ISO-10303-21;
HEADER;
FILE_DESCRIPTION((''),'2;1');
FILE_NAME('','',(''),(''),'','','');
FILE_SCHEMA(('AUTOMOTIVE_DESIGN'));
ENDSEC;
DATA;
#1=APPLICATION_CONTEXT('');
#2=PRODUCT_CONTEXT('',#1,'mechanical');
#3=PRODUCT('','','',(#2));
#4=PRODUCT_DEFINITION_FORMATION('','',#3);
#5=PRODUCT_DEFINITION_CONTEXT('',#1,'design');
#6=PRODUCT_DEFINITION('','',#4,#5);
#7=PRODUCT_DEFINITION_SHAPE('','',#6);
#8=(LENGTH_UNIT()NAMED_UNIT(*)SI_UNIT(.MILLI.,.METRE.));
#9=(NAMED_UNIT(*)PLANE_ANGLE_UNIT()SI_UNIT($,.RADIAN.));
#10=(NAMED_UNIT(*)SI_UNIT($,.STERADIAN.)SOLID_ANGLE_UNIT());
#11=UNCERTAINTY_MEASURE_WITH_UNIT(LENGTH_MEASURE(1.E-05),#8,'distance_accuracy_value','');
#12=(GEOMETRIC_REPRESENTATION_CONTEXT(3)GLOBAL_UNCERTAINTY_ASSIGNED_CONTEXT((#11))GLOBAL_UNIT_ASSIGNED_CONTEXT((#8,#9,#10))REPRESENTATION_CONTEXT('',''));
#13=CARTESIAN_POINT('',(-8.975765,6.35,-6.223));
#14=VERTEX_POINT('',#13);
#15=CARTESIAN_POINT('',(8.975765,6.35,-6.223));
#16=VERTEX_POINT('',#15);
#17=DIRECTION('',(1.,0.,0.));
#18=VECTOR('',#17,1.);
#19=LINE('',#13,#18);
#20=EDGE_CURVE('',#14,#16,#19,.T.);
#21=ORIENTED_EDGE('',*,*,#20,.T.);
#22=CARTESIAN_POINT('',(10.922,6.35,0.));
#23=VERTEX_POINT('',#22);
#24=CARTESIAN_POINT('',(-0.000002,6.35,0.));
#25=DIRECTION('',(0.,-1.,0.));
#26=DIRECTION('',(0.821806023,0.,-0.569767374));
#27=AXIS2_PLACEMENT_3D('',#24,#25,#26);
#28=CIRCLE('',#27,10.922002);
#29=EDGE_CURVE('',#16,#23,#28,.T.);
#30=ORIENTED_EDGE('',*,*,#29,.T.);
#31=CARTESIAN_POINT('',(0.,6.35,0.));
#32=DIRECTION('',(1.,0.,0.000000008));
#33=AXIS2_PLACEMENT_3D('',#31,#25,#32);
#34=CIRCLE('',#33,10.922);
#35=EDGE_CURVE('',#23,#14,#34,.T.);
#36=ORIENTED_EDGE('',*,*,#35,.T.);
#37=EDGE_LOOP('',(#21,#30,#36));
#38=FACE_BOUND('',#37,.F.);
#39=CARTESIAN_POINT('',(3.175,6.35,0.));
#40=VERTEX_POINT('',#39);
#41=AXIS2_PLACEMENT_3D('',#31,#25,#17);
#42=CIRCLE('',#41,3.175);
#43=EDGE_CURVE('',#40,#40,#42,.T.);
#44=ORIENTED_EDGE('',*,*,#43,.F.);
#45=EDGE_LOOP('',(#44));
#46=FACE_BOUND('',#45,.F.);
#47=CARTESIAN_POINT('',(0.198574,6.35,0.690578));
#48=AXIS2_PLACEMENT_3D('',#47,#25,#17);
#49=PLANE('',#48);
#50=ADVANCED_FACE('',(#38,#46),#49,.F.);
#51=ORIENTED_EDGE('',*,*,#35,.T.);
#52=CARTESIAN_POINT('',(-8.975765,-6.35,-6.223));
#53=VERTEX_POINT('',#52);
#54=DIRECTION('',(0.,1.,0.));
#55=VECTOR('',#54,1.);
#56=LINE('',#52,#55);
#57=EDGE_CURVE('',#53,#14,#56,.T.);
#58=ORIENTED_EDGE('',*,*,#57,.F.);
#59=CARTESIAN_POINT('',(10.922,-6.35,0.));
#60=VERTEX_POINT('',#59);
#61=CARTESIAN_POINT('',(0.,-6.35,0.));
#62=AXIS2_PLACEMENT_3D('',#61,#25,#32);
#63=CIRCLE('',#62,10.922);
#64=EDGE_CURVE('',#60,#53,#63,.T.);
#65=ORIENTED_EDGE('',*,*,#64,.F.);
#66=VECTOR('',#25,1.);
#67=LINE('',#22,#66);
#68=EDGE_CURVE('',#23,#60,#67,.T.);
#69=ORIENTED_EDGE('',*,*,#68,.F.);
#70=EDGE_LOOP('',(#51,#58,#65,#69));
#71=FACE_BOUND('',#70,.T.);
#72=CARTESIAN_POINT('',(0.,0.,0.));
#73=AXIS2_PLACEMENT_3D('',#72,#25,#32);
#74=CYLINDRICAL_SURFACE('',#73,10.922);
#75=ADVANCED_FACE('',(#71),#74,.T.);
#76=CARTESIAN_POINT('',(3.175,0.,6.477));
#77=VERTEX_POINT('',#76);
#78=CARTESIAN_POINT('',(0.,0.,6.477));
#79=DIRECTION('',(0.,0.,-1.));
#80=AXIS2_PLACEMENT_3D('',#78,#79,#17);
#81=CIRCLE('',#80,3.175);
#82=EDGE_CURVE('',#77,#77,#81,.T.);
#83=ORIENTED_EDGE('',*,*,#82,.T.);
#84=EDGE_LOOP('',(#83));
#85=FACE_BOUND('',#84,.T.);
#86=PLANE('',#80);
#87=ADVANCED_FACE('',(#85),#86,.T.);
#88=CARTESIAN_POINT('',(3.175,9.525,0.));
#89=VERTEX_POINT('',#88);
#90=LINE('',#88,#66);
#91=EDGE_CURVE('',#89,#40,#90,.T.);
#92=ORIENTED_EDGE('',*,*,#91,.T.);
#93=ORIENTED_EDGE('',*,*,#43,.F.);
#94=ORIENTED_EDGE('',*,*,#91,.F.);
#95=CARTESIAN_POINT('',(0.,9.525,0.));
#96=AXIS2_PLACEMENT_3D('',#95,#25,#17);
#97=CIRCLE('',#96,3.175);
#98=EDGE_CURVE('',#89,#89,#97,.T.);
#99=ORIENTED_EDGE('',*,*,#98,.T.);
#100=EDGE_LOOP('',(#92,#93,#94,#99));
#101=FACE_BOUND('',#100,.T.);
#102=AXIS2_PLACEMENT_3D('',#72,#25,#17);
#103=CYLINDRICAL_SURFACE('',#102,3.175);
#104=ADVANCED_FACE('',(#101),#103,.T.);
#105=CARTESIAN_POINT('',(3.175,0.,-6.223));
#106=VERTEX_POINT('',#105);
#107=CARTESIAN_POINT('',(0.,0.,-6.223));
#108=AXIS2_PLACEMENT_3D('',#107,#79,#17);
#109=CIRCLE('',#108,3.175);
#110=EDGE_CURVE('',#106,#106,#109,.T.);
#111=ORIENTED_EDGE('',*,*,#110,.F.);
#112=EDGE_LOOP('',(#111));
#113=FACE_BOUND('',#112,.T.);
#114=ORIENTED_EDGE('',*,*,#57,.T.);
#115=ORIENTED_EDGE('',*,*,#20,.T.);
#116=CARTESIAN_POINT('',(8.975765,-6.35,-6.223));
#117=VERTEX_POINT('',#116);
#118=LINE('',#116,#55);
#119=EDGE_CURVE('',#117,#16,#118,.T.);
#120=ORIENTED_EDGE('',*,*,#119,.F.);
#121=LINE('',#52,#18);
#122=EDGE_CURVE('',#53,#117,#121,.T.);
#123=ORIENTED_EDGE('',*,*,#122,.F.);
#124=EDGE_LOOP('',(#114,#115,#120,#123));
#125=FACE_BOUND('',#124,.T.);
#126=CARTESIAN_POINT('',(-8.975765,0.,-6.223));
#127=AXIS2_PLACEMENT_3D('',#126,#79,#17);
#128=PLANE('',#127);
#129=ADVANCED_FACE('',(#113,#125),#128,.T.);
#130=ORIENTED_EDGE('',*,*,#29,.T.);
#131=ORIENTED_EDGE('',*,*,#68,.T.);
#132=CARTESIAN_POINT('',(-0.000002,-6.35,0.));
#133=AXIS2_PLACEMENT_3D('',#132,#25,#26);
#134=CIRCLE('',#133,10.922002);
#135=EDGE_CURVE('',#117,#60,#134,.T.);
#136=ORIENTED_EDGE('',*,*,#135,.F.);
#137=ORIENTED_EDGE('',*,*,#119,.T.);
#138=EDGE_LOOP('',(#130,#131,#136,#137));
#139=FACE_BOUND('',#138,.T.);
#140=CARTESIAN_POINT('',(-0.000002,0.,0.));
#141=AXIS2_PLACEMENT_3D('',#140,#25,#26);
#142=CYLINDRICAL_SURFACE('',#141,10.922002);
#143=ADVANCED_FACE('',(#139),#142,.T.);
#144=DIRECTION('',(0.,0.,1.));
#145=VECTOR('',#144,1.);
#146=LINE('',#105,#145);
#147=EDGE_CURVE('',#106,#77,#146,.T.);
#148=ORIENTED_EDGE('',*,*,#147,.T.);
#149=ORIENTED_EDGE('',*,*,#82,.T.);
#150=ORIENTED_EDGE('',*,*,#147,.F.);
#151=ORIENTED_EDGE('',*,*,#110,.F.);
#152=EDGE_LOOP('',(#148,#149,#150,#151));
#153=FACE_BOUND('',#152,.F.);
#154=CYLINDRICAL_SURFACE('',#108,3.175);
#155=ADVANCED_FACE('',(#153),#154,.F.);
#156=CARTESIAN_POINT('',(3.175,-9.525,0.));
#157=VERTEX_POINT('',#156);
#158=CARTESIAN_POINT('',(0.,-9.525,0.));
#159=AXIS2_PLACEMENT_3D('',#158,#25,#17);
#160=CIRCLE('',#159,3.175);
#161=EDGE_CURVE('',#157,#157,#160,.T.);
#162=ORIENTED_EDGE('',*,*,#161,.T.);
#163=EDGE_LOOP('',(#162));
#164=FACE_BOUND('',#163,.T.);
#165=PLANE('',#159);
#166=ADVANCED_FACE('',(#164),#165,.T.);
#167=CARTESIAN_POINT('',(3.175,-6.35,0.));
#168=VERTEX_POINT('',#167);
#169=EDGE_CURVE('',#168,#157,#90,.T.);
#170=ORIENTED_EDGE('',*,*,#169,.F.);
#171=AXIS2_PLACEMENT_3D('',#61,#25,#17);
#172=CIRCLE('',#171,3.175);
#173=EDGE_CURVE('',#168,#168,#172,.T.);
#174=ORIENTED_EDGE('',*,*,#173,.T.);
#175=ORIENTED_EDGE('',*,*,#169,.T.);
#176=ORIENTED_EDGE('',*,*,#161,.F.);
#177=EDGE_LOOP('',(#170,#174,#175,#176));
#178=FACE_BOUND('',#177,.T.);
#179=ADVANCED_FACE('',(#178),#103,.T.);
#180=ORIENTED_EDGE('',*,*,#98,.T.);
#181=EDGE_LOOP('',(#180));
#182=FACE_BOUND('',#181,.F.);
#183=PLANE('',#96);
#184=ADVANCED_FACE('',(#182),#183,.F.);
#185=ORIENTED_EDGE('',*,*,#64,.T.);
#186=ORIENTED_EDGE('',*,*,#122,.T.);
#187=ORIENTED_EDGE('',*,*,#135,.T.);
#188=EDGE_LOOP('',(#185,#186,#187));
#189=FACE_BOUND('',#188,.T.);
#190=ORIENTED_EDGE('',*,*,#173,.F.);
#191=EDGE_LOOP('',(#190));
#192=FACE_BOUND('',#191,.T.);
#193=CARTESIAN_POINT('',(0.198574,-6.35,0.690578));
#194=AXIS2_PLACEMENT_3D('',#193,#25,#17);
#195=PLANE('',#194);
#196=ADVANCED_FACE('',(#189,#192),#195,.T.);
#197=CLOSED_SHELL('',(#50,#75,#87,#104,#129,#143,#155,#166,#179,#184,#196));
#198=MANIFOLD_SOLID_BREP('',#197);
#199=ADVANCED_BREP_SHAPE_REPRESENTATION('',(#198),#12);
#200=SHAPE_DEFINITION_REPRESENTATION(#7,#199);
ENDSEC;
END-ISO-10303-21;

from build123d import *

# Parameters (mm, degrees)
F0_R     = 3.175
F1_DEPTH = 6.35
F2_DEPTH = 9.525
F3_R     = 3.175
F4_DEPTH = 12.7


with BuildPart() as f1:
    # F0 (on Front) → F1 (new body, symmetric)
    with BuildSketch(Plane.XZ):
        with BuildLine():
            ThreePointArc((8.975765, -6.223), (10.424092, -3.260121), (10.922, 0))
            ThreePointArc((10.922, 0), (-3.260121, 10.424092), (-8.975765, -6.223))
            Line((-8.975765, -6.223), (8.975765, -6.223))
        make_face()
        Circle(F0_R, mode=Mode.SUBTRACT)
    extrude(amount=F1_DEPTH, both=True)

    # F0 (on Front) → F2 (join, symmetric)
    with BuildSketch(Plane.XZ):
        Circle(F0_R)
    extrude(amount=F2_DEPTH, both=True)

    # F3 (on face) → F4 (cut)
    with BuildSketch(Plane(origin=(0, 0, -6.223), x_dir=(1, 0, 0), z_dir=(0, 0, -1))):
        Circle(F3_R)
    extrude(amount=-F4_DEPTH, mode=Mode.SUBTRACT)


solid = f1.part
